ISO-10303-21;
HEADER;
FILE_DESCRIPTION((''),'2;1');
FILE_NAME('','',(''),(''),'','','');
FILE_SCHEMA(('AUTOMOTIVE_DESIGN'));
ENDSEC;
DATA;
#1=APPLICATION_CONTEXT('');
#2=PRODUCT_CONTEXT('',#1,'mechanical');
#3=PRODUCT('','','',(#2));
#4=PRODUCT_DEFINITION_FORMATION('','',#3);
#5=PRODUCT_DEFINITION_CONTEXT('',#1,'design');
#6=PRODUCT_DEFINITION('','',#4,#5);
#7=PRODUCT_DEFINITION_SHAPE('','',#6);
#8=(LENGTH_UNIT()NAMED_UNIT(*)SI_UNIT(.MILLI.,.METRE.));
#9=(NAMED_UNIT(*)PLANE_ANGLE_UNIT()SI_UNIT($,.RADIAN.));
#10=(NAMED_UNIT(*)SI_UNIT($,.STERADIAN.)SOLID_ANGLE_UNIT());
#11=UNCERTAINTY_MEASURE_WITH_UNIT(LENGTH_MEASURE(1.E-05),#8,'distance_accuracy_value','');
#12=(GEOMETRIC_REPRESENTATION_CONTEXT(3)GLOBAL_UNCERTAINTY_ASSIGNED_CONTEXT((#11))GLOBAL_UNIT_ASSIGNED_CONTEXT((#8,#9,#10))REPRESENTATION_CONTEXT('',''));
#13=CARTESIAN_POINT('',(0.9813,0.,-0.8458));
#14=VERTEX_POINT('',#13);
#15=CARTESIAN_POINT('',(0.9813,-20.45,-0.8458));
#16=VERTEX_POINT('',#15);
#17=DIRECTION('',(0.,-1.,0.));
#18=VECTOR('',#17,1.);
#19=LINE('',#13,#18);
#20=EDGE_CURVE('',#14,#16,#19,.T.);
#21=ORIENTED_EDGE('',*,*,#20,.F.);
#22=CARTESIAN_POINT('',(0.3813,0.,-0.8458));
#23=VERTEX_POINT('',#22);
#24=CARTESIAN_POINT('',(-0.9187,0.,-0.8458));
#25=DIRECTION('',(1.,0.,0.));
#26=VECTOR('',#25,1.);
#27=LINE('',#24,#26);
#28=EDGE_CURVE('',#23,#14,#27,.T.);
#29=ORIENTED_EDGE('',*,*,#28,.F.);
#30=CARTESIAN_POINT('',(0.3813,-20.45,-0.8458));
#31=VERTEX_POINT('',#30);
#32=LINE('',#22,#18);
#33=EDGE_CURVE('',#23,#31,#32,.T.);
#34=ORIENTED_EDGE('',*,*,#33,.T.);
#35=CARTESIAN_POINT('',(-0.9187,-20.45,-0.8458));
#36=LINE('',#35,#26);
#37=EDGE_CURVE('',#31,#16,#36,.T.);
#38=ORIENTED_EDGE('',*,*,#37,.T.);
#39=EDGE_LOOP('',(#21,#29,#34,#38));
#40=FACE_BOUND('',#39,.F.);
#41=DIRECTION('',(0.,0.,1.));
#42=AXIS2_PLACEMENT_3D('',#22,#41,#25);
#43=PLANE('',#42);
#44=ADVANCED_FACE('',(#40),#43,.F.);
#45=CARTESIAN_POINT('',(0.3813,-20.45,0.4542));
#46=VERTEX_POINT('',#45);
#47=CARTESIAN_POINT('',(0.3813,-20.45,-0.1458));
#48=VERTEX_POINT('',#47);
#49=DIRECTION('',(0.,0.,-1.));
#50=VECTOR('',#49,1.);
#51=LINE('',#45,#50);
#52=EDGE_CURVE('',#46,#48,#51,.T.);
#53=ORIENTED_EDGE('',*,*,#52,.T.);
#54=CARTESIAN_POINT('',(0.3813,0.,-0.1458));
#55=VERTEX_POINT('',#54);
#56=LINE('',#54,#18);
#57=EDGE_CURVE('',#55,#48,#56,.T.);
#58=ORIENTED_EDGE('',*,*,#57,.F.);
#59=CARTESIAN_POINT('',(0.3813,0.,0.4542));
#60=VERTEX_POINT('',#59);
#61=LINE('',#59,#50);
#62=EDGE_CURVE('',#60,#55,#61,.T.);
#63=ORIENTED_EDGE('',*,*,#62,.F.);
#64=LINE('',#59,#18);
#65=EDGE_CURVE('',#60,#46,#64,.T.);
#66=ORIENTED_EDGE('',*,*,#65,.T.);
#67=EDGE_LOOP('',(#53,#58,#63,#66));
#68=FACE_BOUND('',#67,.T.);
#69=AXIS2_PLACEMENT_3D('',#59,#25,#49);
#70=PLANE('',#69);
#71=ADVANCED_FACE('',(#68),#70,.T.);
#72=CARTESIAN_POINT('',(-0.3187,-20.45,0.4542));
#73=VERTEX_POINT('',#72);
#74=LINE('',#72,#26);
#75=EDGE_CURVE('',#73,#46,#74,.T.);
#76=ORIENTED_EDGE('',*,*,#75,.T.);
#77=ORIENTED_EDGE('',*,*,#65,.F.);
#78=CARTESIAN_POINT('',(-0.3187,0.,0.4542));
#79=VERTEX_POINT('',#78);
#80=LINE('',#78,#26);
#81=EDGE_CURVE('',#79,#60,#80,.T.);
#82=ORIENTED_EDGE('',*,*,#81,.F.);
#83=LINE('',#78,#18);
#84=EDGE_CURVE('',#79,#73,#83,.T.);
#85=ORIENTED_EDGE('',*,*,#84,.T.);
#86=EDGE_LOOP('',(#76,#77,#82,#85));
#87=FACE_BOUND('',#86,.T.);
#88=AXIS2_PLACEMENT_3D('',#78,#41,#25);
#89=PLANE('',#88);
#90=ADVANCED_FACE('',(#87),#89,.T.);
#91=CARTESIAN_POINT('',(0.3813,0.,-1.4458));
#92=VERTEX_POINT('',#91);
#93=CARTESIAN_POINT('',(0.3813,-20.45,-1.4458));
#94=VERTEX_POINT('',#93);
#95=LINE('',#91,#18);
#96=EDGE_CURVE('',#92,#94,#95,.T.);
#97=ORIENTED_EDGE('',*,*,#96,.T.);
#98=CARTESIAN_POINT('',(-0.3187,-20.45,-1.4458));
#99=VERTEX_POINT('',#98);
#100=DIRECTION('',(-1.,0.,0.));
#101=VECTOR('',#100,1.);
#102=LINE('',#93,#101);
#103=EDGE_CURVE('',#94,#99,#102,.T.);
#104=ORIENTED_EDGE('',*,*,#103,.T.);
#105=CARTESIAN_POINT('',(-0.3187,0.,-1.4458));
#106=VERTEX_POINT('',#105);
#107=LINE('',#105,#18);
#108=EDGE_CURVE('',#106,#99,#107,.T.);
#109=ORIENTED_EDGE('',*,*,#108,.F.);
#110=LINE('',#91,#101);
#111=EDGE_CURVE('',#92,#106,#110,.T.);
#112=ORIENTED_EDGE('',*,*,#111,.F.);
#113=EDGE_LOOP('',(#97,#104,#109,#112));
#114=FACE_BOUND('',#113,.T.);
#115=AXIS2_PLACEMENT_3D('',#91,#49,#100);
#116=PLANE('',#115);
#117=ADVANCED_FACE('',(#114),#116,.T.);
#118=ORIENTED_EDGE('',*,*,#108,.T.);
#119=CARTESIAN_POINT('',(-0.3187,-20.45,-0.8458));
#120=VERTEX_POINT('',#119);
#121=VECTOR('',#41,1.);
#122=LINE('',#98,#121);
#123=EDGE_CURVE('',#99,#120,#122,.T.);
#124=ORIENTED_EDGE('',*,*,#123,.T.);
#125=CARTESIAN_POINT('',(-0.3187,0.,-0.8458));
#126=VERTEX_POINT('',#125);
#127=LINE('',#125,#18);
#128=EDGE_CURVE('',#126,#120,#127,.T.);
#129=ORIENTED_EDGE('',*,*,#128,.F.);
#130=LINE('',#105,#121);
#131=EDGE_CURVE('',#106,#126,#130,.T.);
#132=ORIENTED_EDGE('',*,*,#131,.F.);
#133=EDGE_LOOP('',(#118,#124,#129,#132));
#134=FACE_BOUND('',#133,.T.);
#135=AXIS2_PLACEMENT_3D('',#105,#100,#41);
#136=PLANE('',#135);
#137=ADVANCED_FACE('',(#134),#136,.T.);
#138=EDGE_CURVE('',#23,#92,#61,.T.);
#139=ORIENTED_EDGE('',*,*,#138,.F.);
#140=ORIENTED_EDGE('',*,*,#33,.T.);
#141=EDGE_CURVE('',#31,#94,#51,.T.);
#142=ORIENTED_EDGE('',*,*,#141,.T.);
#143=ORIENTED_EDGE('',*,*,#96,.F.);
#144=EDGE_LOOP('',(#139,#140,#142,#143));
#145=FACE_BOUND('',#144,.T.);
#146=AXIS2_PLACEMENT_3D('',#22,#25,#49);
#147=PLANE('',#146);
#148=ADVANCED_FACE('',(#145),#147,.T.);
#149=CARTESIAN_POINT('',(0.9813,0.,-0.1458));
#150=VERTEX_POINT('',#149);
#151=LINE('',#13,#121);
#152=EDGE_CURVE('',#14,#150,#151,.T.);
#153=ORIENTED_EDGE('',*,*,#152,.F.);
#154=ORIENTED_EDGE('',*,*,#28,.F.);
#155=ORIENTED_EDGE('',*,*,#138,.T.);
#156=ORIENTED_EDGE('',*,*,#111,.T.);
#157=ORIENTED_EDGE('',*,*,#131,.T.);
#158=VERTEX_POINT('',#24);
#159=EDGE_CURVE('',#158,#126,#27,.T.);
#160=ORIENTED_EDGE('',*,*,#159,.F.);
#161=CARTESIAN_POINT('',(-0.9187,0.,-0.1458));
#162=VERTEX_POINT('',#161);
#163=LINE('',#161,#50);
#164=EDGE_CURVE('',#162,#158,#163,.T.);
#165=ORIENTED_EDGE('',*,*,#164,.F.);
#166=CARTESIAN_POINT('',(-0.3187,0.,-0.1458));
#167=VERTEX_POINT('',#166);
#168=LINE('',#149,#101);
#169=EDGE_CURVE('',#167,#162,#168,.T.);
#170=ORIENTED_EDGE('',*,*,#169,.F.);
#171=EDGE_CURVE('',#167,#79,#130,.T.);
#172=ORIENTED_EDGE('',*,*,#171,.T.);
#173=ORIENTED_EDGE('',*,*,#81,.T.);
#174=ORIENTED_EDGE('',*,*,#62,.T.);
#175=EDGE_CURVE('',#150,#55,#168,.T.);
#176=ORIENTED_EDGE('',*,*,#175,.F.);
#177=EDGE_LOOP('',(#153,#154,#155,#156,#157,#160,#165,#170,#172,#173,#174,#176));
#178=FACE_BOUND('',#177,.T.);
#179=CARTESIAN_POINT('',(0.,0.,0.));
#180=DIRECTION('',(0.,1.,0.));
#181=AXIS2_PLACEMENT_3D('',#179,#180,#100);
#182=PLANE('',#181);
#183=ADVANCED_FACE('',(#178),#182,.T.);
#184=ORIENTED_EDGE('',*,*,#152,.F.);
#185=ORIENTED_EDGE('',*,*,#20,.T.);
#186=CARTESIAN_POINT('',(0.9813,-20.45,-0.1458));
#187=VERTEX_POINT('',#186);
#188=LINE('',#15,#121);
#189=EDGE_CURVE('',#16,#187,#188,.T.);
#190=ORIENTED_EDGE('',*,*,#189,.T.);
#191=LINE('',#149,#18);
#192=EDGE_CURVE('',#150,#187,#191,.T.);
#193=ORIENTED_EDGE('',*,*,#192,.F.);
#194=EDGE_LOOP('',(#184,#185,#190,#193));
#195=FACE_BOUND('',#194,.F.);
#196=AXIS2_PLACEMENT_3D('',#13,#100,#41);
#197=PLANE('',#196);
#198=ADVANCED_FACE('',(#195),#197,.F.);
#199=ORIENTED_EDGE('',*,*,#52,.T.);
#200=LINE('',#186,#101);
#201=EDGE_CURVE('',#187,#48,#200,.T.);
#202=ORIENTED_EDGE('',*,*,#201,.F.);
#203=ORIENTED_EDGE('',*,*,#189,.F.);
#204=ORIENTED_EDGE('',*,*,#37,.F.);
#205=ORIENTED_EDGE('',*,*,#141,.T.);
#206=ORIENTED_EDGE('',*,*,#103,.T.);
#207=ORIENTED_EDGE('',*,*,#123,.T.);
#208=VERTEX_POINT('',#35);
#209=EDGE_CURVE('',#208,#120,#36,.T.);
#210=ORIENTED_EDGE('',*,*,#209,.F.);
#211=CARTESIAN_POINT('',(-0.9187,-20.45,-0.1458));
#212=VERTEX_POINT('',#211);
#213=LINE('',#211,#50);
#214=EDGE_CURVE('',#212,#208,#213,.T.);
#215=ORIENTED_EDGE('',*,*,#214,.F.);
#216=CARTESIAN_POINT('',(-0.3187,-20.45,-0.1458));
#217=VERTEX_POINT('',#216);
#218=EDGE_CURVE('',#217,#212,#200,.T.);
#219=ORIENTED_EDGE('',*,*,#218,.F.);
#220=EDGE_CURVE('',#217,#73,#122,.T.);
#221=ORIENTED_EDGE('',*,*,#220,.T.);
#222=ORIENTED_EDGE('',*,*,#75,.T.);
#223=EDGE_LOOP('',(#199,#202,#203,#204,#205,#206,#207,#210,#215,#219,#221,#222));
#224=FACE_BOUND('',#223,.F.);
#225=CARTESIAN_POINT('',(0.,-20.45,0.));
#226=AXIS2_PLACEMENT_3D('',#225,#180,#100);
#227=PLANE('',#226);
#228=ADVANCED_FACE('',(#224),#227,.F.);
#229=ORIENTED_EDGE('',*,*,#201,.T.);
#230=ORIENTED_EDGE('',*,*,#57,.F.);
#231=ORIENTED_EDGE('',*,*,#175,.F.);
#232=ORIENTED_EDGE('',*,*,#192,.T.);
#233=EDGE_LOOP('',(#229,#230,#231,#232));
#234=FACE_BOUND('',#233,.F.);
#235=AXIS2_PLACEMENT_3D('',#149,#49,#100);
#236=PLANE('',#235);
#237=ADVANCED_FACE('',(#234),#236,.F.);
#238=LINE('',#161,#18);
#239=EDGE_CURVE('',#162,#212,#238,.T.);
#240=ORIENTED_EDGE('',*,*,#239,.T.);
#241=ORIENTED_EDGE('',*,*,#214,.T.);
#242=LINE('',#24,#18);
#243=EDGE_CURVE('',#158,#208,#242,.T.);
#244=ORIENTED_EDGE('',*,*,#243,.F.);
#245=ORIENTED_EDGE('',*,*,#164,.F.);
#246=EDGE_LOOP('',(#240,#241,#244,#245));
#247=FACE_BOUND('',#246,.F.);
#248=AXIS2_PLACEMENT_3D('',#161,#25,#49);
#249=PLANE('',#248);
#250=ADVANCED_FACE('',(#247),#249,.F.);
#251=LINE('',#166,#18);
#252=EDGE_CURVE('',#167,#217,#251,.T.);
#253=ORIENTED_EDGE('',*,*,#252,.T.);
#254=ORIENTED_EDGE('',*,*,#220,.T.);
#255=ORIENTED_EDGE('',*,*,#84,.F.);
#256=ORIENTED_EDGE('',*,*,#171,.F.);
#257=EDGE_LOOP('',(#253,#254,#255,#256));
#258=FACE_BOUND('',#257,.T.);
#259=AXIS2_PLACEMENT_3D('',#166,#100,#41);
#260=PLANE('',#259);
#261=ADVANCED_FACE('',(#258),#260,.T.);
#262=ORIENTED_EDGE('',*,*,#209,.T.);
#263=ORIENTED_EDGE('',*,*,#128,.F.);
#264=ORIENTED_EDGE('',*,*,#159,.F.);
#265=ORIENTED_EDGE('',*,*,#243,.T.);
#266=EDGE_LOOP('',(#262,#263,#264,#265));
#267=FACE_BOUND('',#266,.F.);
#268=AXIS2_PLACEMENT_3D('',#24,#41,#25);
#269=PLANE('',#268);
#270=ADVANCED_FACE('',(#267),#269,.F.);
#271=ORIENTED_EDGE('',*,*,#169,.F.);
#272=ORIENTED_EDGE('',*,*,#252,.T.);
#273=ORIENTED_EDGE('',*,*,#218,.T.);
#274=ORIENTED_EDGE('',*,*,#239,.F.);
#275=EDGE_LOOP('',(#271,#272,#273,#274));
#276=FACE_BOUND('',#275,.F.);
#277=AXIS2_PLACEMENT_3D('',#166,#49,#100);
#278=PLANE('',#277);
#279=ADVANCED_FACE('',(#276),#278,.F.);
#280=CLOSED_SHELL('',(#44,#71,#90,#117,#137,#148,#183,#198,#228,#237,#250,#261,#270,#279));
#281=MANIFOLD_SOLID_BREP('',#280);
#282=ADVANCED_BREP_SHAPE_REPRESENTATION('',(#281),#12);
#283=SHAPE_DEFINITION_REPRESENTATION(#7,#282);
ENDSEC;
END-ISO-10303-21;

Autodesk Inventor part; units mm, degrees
ref_plane "YZ Plane" through (0, 0, 0) normal (1, 0, 0) x (0, 1, 0)
ref_plane "XZ Plane" through (0, 0, 0) normal (0, 1, 0) x (-1, 0, 0)
ref_plane "XY Plane" through (0, 0, 0) normal (0, 0, 1) x (1, 0, 0)
sketch "Esquisse1" plane through (0, 0, 0) normal (0, 1, 0) x (-1, 0, 0)
  line L0 (0.3187, 0.4542) -> (-0.3813, 0.4542)
  line L1 (-0.3813, 0.4542) -> (-0.3813, -1.4458)
  line L2 (-0.3813, -1.4458) -> (0.3187, -1.4458)
  line L3 (0.3187, -1.4458) -> (0.3187, 0.4542)
  line L4 (0.9187, -0.8458) -> (-0.9813, -0.8458)
  line L5 (-0.9813, -0.8458) -> (-0.9813, -0.1458)
  line L6 (-0.9813, -0.1458) -> (0.9187, -0.1458)
  line L7 (0.9187, -0.1458) -> (0.9187, -0.8458)
  point P0 (0, 0)
  dimension "d0" = 0.7
  dimension "d1" = 0.7
  dimension "d2" = 1.9
  dimension "d3" = 1.9
  dimension "d4" = 0.6
  dimension "d5" = 0.6
extrude "Extrusion1" add sketch "Esquisse1" against normal blind 20.45
properties part number "Croisillon"
